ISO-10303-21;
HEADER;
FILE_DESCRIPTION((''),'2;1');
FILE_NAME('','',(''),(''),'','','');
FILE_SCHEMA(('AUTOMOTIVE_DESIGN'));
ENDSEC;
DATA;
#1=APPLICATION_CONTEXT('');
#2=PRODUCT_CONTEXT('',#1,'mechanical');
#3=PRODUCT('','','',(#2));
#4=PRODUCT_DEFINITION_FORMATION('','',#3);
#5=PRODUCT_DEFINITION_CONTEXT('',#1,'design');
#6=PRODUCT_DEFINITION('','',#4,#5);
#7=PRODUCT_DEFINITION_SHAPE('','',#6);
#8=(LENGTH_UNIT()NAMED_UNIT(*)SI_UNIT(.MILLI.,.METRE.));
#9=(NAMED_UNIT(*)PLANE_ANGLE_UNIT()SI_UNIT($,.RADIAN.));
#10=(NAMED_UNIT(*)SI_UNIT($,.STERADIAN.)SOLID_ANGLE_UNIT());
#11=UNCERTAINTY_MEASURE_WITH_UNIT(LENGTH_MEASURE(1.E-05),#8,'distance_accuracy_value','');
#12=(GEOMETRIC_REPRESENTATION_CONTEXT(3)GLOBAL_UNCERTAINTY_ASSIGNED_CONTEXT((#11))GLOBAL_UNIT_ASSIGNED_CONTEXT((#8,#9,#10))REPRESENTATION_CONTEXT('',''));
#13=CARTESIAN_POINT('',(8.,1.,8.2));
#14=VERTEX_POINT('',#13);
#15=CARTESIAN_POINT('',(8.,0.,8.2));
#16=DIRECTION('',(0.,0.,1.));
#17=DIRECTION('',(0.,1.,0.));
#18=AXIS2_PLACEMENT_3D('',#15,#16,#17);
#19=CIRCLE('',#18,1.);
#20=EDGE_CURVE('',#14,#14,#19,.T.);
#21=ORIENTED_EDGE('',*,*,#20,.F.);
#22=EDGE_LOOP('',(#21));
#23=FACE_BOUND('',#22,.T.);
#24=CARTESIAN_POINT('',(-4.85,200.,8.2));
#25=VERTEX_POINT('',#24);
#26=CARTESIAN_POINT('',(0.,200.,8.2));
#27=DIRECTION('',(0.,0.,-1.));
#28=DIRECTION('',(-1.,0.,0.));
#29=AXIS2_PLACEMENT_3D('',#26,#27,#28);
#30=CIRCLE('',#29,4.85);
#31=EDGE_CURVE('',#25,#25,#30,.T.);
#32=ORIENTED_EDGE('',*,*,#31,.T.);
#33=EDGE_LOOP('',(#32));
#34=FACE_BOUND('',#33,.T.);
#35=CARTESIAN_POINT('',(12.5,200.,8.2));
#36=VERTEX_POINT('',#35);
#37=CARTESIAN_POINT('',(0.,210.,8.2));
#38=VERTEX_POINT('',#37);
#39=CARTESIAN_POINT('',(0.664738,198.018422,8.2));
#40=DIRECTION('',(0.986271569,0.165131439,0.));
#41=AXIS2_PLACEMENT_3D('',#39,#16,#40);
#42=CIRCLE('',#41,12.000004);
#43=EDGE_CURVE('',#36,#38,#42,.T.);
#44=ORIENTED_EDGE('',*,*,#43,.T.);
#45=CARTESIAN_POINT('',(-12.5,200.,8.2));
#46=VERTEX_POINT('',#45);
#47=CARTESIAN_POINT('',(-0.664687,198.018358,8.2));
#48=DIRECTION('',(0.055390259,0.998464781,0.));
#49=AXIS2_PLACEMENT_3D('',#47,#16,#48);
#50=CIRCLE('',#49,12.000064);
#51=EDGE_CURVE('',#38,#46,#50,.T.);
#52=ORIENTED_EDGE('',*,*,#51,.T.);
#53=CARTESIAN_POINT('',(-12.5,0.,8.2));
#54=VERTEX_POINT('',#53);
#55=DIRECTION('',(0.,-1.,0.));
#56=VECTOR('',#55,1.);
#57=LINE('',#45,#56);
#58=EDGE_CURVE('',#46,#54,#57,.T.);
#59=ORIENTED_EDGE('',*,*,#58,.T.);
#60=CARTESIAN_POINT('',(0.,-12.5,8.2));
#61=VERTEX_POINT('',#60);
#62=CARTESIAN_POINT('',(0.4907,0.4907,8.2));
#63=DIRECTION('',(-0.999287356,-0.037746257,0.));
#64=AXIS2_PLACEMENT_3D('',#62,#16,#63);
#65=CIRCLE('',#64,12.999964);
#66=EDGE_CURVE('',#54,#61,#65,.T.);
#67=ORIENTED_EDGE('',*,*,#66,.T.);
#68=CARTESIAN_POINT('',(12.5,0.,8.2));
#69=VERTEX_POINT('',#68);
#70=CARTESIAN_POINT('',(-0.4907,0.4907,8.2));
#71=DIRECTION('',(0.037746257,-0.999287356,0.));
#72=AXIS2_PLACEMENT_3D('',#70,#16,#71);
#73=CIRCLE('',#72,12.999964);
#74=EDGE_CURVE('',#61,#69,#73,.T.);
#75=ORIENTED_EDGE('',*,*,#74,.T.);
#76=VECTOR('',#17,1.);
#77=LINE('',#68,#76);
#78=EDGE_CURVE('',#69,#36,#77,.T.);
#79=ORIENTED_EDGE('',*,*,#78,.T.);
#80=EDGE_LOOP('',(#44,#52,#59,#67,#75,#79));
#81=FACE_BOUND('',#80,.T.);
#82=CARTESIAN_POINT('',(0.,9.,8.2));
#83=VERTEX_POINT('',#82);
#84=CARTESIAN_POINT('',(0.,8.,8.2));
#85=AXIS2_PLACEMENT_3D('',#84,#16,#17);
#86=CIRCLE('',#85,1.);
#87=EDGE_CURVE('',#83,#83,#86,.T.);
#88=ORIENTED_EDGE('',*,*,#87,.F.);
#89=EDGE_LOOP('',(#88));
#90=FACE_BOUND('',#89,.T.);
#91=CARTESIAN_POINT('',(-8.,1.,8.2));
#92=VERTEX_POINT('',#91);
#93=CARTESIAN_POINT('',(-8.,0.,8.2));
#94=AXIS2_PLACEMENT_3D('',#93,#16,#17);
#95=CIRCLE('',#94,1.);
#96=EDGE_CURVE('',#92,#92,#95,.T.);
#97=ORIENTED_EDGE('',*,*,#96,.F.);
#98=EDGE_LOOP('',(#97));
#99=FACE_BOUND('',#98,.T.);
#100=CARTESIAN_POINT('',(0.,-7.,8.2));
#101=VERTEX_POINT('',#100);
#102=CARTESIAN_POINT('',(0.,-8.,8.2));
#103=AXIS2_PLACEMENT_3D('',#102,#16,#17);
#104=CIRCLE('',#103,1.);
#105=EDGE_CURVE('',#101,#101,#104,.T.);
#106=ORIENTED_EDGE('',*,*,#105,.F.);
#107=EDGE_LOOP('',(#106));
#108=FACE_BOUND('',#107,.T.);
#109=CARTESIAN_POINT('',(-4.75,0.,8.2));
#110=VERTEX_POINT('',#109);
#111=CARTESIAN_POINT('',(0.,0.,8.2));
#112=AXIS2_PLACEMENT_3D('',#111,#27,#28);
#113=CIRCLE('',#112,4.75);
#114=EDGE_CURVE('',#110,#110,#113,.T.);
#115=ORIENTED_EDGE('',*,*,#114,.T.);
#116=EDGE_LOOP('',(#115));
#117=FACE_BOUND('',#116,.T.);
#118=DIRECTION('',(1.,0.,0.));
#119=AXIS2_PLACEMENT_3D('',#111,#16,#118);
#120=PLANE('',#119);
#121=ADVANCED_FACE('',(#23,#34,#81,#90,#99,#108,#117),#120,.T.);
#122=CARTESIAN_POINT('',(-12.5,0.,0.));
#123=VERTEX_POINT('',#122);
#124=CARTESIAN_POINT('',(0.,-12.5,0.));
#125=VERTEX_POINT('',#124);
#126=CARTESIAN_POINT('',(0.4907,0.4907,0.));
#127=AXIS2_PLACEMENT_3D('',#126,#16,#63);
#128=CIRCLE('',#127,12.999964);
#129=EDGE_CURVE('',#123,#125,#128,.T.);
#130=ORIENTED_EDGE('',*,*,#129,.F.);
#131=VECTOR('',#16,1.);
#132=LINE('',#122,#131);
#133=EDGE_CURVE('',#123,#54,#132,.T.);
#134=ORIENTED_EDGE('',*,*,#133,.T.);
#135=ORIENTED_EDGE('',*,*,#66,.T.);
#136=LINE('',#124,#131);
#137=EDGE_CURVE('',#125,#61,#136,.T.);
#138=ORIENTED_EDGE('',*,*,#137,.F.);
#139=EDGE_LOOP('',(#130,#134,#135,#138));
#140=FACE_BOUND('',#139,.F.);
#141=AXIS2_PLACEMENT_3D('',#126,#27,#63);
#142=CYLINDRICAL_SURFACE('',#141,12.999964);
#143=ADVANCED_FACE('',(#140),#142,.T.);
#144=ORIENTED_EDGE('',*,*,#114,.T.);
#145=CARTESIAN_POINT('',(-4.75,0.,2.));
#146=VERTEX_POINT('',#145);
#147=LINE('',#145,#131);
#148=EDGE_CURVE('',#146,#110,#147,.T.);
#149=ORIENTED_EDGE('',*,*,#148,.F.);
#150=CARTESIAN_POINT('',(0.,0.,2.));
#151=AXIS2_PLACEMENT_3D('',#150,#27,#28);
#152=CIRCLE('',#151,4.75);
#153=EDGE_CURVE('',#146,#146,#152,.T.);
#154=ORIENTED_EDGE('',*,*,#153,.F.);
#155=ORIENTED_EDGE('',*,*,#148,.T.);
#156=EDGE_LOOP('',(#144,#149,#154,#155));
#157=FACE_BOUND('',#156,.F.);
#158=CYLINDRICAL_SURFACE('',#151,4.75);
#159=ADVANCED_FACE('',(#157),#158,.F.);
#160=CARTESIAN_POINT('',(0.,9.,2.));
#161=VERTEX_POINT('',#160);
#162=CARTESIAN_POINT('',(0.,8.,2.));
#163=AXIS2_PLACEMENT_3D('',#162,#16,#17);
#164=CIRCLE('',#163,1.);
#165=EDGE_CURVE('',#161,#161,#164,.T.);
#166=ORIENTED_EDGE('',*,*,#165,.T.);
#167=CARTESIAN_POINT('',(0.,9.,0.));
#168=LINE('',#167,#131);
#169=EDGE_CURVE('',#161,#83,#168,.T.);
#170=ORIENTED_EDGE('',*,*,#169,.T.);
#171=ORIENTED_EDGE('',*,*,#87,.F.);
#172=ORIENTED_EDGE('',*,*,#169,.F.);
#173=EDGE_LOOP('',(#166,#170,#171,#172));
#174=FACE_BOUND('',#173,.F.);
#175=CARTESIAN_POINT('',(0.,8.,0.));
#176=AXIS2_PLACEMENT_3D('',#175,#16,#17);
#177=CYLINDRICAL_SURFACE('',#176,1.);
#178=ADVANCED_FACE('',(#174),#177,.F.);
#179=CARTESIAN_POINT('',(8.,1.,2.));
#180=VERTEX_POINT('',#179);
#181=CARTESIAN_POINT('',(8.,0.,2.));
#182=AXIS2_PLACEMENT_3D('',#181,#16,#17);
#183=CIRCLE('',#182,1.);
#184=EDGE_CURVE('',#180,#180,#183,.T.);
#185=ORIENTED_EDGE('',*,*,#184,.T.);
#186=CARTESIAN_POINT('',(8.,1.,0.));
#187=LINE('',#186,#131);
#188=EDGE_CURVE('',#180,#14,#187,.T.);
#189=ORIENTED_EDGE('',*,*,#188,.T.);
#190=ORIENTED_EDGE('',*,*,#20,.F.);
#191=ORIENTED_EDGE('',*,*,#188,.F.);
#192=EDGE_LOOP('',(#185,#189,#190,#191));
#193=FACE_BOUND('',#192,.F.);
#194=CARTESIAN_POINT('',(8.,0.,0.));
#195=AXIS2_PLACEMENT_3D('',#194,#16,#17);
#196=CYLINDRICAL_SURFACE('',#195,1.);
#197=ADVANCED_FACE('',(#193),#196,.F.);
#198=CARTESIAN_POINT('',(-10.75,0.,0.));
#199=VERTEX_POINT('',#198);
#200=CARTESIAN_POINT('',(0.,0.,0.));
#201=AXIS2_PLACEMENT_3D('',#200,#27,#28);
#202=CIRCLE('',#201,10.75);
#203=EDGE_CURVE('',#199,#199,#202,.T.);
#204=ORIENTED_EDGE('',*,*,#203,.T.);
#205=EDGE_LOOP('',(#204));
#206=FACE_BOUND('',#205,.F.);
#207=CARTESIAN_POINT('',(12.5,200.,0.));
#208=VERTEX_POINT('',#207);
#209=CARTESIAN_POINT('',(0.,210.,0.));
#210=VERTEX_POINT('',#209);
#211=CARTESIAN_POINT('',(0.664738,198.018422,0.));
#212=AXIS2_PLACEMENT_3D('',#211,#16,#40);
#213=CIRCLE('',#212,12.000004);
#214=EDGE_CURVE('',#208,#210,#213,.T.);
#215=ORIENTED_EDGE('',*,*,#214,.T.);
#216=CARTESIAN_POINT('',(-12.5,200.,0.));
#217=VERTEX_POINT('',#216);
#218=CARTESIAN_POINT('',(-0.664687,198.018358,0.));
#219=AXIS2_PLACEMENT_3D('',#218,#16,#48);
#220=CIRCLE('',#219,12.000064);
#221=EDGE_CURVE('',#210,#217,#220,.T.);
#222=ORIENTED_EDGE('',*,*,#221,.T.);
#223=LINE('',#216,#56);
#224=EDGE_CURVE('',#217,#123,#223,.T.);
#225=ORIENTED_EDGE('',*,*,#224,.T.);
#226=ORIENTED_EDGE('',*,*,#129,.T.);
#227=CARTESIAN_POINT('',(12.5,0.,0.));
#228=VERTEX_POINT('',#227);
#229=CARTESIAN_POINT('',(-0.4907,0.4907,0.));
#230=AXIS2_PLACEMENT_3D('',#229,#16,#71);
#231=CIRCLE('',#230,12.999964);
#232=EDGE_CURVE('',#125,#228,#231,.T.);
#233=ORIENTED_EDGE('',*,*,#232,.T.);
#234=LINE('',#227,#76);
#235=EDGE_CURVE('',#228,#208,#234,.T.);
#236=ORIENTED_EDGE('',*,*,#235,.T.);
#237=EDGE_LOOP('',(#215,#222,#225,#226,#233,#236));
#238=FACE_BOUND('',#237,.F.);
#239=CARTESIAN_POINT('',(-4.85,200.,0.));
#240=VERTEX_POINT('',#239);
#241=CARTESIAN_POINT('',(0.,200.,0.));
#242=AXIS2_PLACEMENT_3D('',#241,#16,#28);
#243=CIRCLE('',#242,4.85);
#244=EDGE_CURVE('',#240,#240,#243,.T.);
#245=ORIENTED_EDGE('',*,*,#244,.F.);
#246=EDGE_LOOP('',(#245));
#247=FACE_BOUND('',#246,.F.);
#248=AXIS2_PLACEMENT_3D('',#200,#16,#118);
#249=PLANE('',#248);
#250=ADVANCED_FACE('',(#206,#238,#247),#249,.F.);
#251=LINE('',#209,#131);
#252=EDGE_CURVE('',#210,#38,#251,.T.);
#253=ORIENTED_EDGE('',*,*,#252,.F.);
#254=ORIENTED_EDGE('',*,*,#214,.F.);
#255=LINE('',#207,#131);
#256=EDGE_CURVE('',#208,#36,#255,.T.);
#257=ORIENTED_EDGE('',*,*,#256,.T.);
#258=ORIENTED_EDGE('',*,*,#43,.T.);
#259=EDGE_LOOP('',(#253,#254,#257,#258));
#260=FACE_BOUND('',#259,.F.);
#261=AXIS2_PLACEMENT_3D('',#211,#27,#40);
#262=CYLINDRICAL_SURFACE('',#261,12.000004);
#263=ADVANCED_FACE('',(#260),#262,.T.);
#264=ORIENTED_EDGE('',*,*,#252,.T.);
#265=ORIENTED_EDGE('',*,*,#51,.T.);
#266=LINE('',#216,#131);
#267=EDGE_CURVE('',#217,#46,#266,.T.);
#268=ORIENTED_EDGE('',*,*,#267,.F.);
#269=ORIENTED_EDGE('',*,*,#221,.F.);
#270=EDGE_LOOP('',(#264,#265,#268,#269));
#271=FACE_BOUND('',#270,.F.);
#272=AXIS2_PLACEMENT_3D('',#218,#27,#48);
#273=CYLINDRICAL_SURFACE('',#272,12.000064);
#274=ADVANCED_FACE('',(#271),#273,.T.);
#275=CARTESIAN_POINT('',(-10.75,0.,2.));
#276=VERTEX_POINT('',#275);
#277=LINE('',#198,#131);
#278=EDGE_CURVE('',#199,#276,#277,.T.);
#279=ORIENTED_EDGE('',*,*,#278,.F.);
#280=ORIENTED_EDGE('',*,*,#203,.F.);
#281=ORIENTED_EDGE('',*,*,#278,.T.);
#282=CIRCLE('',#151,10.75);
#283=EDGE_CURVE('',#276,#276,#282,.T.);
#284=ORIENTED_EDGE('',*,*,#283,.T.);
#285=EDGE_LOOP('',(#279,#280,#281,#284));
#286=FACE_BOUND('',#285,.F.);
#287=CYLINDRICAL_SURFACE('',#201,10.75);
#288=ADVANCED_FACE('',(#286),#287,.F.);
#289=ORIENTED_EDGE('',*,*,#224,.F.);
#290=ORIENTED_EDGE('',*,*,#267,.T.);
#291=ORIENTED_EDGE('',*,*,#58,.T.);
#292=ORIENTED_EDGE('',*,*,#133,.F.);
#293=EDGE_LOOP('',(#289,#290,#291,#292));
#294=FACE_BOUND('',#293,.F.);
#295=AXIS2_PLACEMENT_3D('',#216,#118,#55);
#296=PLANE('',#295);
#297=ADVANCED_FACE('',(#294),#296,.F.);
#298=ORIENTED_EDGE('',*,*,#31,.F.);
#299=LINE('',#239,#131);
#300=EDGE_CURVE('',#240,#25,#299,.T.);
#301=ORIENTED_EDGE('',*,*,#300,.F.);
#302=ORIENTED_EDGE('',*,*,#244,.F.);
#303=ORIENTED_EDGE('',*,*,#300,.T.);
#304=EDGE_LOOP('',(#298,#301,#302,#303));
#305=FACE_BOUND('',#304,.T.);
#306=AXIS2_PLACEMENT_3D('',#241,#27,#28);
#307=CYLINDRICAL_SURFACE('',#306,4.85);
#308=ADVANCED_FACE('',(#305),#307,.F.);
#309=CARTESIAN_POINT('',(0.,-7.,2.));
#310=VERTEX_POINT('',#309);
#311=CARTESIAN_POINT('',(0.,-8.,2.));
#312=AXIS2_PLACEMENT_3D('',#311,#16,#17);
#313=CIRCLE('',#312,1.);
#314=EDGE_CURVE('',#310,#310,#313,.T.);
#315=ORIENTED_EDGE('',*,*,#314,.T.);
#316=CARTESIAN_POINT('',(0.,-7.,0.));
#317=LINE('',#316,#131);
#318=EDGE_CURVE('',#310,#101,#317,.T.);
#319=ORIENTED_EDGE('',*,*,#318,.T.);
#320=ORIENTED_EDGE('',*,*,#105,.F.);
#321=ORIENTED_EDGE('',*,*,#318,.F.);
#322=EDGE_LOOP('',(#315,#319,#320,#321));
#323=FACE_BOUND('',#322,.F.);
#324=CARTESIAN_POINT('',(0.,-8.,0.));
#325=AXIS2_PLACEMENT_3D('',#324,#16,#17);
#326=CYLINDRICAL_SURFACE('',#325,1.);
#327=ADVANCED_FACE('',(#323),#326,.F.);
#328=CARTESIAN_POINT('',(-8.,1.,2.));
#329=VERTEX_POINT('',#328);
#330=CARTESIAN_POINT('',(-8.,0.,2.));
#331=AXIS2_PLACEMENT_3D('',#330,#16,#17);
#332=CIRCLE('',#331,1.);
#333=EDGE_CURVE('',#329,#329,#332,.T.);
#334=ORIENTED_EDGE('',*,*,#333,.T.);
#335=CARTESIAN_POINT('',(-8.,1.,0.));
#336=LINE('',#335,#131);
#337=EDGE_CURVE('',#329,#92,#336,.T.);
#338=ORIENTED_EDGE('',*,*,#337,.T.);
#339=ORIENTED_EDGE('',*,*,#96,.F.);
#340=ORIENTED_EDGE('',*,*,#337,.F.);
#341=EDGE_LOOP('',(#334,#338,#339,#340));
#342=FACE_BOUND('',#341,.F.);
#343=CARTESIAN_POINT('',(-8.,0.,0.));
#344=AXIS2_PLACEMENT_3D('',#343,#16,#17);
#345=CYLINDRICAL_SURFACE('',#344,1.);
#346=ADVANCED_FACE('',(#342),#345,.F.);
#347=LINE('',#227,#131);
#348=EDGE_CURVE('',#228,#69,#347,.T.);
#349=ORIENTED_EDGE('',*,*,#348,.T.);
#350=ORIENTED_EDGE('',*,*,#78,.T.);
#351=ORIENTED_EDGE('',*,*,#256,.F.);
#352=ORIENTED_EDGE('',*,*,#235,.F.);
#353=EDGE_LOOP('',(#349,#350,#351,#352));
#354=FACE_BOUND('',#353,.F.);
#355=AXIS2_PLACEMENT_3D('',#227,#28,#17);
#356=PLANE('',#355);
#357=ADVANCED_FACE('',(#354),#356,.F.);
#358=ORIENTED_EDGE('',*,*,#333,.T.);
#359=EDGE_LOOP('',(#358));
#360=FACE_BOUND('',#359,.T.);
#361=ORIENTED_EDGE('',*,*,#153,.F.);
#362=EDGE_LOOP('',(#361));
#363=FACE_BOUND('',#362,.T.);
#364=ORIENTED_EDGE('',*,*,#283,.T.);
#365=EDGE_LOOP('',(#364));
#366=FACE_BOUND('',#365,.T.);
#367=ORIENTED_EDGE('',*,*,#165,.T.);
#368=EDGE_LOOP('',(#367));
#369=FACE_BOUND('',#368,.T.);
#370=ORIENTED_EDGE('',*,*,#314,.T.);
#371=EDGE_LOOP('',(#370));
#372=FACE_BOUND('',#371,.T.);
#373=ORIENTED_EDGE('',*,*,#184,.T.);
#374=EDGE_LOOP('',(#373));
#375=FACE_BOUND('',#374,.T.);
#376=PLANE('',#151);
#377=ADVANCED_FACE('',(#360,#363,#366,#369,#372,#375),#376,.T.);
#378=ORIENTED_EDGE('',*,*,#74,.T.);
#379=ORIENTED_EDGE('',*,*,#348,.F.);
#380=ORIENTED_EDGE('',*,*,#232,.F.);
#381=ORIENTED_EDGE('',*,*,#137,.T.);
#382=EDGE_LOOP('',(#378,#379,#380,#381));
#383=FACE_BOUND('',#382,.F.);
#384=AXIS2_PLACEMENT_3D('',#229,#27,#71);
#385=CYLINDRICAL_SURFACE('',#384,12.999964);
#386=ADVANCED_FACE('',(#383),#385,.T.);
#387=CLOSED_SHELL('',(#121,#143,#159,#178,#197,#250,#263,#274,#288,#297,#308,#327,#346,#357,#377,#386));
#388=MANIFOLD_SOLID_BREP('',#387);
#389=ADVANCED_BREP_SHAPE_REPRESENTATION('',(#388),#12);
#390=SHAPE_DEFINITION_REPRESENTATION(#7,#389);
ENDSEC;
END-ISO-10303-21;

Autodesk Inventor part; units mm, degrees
ref_plane "YZ Plane" through (0, 0, 0) normal (1, 0, 0) x (0, 1, 0)
ref_plane "XZ Plane" through (0, 0, 0) normal (0, 1, 0) x (-1, 0, 0)
ref_plane "XY Plane" through (0, 0, 0) normal (0, 0, 1) x (1, 0, 0)
sketch "Sketch1" plane through (0, 0, 0) normal (0, 0, 1) x (1, 0, 0)
  arc A0 (10.5, 0) -> (0, -10.5) centre (0, 0) ccw
  circle A1 centre (0, 8) radius 0.5
  circle A2 centre (-8, 0) radius 0.5
  circle A3 centre (0, -8) radius 0.5
  circle A4 centre (8, 0) radius 0.5
  line L0 (-10.5, 0) -> (-12.5, 0) construction
  arc A5 (0, -10.5) -> (10.5, 0) centre (0, 0) ccw
  line L1 (10.5, 0) -> (12.5, 0)
  line L2 (0, -10.5) -> (0, -12.5) construction
  arc A6 (-12.5, 0) -> (0, -12.5) centre (0.4907, 0.4907) ccw
  arc A7 (0, -12.5) -> (12.5, 0) centre (-0.4907, 0.4907) ccw
  line L3 (-12.5, 0) -> (12.5, 0) construction
  line L4 (12.5, 0) -> (12.5, 200)
  line L5 (12.5, 200) -> (-12.5, 200) construction
  line L6 (-12.5, 200) -> (-12.5, 0)
  arc A8 (4.85, 200) -> (-4.85, 200) centre (0, 200) ccw
  line L7 (0, 200) -> (0, 210) construction
  arc A9 (0, 210) -> (-12.5, 200) centre (-0.6647, 198.0184) ccw
  arc A10 (12.5, 200) -> (0, 210) centre (0.6647, 198.0184) ccw
  arc A11 (-4.85, 200) -> (4.85, 200) centre (0, 200) ccw
  dimension "d0" = 21
  dimension "d1" = 1
  dimension "d2" = 1
  dimension "d3" = 1
  dimension "d4" = 1
  dimension "d5" = 8
  dimension "d6" = 8
  dimension "d7" = 8
  dimension "d8" = 8
  dimension "d14" = 12.5
  dimension "d15" = 12.5
  dimension "d16" = 12.5
  dimension "d17" = 2
  dimension "d18" = 2
  dimension "d19" = 2
  dimension "d20" = 13
  dimension "d21" = 13
  dimension "d30" = 200
  dimension "d31" = 9.7
  dimension "d32" = 12.5
  dimension "d34" = 2.5
  dimension "d35" = 2.5
  dimension "d36" = 2.5
  dimension "d37" = 10
  dimension "d38" = 12
  dimension "d39" = 12
sketch "Sketch2" plane through (0, 0, 0) normal (0, 0, 1) x (1, 0, 0)
  arc A0 (10.5, 0) -> (0, -10.5) centre (0, 0) ccw projected
  circle A1 centre (-8, 0) radius 0.5 projected
  circle A2 centre (0, -8) radius 0.5 projected
  circle A3 centre (8, 0) radius 0.5 projected
  circle A4 centre (0, 8) radius 0.5 projected
  arc A5 (0, -10.5) -> (10.5, 0) centre (0, 0) ccw projected
sketch "Sketch3" plane through (0, 0, 0) normal (0, 0, 1) x (1, 0, 0)
  arc A0 (0, 210) -> (-12.5, 200) centre (-0.6647, 198.0184) ccw projected
  line L0 (-12.5, 200) -> (-12.5, 0) projected
  arc A1 (-12.5, 0) -> (0, -12.5) centre (0.4907, 0.4907) ccw projected
  arc A2 (0, -12.5) -> (12.5, 0) centre (-0.4907, 0.4907) ccw projected
  line L1 (12.5, 0) -> (12.5, 200) projected
  arc A3 (12.5, 200) -> (0, 210) centre (0.6647, 198.0184) ccw projected
  point P0 (0, 0)
extrude "Extrusion1" add sketch "Sketch3" along normal blind 8.2
extrude "Extrusion2" cut sketch "Sketch1" along normal blind 10 contours A11 A8
extrude "Extrusion3" cut sketch "Sketch2" along normal blind 2
sketch "Sketch4" plane through (8, 0, 0) normal (0, 0, -1) x (-1, 0, 0)
  circle A0 centre (0, 0) radius 0.5 projected
  circle A1 centre (8, 8) radius 0.5 projected
  circle A2 centre (16, 0) radius 0.5 projected
  circle A3 centre (8, -8) radius 0.5 projected
  point P0 (8, 0)
hole "Hole1" at (0, 8, 0) at (8, 0, 0) at (0, -8, 0) at (-8, 0, 0) direction (0, 0, 1) diameter 2 depth 10 tip angle 118
sketch "Sketch5" plane through (0, 0, 8.2) normal (0, 0, 1) x (1, 0, 0)
  point P0 (0, 0)
sketch "Sketch6" plane through (0, 0, 8.2) normal (0, 0, 1) x (1, 0, 0)
  circle A0 centre (0, 200) radius 4.85 projected
  point P0 (0, 0)
sketch "Sketch7" plane through (0, 0, 8.2) normal (0, 0, 1) x (1, 0, 0)
  point P0 (0, 0)
sketch "Sketch9" plane through (0, 0, 0) normal (0, 0, -1) x (-1, 0, 0)
  circle A0 centre (0, 0) radius 10.75
  dimension "d55" = 21.5
extrude "Extrusion5" cut sketch "Sketch9" against normal blind 2
sketch "Sketch10" plane through (0, 0, 2) normal (0, 0, -1) x (-1, 0, 0)
  circle A0 centre (0, 0) radius 4.75
  dimension "d58" = 9.5
extrude "Extrusion6" cut sketch "Sketch10" against normal blind 10
properties part number "BB-8_headslider_rod"
